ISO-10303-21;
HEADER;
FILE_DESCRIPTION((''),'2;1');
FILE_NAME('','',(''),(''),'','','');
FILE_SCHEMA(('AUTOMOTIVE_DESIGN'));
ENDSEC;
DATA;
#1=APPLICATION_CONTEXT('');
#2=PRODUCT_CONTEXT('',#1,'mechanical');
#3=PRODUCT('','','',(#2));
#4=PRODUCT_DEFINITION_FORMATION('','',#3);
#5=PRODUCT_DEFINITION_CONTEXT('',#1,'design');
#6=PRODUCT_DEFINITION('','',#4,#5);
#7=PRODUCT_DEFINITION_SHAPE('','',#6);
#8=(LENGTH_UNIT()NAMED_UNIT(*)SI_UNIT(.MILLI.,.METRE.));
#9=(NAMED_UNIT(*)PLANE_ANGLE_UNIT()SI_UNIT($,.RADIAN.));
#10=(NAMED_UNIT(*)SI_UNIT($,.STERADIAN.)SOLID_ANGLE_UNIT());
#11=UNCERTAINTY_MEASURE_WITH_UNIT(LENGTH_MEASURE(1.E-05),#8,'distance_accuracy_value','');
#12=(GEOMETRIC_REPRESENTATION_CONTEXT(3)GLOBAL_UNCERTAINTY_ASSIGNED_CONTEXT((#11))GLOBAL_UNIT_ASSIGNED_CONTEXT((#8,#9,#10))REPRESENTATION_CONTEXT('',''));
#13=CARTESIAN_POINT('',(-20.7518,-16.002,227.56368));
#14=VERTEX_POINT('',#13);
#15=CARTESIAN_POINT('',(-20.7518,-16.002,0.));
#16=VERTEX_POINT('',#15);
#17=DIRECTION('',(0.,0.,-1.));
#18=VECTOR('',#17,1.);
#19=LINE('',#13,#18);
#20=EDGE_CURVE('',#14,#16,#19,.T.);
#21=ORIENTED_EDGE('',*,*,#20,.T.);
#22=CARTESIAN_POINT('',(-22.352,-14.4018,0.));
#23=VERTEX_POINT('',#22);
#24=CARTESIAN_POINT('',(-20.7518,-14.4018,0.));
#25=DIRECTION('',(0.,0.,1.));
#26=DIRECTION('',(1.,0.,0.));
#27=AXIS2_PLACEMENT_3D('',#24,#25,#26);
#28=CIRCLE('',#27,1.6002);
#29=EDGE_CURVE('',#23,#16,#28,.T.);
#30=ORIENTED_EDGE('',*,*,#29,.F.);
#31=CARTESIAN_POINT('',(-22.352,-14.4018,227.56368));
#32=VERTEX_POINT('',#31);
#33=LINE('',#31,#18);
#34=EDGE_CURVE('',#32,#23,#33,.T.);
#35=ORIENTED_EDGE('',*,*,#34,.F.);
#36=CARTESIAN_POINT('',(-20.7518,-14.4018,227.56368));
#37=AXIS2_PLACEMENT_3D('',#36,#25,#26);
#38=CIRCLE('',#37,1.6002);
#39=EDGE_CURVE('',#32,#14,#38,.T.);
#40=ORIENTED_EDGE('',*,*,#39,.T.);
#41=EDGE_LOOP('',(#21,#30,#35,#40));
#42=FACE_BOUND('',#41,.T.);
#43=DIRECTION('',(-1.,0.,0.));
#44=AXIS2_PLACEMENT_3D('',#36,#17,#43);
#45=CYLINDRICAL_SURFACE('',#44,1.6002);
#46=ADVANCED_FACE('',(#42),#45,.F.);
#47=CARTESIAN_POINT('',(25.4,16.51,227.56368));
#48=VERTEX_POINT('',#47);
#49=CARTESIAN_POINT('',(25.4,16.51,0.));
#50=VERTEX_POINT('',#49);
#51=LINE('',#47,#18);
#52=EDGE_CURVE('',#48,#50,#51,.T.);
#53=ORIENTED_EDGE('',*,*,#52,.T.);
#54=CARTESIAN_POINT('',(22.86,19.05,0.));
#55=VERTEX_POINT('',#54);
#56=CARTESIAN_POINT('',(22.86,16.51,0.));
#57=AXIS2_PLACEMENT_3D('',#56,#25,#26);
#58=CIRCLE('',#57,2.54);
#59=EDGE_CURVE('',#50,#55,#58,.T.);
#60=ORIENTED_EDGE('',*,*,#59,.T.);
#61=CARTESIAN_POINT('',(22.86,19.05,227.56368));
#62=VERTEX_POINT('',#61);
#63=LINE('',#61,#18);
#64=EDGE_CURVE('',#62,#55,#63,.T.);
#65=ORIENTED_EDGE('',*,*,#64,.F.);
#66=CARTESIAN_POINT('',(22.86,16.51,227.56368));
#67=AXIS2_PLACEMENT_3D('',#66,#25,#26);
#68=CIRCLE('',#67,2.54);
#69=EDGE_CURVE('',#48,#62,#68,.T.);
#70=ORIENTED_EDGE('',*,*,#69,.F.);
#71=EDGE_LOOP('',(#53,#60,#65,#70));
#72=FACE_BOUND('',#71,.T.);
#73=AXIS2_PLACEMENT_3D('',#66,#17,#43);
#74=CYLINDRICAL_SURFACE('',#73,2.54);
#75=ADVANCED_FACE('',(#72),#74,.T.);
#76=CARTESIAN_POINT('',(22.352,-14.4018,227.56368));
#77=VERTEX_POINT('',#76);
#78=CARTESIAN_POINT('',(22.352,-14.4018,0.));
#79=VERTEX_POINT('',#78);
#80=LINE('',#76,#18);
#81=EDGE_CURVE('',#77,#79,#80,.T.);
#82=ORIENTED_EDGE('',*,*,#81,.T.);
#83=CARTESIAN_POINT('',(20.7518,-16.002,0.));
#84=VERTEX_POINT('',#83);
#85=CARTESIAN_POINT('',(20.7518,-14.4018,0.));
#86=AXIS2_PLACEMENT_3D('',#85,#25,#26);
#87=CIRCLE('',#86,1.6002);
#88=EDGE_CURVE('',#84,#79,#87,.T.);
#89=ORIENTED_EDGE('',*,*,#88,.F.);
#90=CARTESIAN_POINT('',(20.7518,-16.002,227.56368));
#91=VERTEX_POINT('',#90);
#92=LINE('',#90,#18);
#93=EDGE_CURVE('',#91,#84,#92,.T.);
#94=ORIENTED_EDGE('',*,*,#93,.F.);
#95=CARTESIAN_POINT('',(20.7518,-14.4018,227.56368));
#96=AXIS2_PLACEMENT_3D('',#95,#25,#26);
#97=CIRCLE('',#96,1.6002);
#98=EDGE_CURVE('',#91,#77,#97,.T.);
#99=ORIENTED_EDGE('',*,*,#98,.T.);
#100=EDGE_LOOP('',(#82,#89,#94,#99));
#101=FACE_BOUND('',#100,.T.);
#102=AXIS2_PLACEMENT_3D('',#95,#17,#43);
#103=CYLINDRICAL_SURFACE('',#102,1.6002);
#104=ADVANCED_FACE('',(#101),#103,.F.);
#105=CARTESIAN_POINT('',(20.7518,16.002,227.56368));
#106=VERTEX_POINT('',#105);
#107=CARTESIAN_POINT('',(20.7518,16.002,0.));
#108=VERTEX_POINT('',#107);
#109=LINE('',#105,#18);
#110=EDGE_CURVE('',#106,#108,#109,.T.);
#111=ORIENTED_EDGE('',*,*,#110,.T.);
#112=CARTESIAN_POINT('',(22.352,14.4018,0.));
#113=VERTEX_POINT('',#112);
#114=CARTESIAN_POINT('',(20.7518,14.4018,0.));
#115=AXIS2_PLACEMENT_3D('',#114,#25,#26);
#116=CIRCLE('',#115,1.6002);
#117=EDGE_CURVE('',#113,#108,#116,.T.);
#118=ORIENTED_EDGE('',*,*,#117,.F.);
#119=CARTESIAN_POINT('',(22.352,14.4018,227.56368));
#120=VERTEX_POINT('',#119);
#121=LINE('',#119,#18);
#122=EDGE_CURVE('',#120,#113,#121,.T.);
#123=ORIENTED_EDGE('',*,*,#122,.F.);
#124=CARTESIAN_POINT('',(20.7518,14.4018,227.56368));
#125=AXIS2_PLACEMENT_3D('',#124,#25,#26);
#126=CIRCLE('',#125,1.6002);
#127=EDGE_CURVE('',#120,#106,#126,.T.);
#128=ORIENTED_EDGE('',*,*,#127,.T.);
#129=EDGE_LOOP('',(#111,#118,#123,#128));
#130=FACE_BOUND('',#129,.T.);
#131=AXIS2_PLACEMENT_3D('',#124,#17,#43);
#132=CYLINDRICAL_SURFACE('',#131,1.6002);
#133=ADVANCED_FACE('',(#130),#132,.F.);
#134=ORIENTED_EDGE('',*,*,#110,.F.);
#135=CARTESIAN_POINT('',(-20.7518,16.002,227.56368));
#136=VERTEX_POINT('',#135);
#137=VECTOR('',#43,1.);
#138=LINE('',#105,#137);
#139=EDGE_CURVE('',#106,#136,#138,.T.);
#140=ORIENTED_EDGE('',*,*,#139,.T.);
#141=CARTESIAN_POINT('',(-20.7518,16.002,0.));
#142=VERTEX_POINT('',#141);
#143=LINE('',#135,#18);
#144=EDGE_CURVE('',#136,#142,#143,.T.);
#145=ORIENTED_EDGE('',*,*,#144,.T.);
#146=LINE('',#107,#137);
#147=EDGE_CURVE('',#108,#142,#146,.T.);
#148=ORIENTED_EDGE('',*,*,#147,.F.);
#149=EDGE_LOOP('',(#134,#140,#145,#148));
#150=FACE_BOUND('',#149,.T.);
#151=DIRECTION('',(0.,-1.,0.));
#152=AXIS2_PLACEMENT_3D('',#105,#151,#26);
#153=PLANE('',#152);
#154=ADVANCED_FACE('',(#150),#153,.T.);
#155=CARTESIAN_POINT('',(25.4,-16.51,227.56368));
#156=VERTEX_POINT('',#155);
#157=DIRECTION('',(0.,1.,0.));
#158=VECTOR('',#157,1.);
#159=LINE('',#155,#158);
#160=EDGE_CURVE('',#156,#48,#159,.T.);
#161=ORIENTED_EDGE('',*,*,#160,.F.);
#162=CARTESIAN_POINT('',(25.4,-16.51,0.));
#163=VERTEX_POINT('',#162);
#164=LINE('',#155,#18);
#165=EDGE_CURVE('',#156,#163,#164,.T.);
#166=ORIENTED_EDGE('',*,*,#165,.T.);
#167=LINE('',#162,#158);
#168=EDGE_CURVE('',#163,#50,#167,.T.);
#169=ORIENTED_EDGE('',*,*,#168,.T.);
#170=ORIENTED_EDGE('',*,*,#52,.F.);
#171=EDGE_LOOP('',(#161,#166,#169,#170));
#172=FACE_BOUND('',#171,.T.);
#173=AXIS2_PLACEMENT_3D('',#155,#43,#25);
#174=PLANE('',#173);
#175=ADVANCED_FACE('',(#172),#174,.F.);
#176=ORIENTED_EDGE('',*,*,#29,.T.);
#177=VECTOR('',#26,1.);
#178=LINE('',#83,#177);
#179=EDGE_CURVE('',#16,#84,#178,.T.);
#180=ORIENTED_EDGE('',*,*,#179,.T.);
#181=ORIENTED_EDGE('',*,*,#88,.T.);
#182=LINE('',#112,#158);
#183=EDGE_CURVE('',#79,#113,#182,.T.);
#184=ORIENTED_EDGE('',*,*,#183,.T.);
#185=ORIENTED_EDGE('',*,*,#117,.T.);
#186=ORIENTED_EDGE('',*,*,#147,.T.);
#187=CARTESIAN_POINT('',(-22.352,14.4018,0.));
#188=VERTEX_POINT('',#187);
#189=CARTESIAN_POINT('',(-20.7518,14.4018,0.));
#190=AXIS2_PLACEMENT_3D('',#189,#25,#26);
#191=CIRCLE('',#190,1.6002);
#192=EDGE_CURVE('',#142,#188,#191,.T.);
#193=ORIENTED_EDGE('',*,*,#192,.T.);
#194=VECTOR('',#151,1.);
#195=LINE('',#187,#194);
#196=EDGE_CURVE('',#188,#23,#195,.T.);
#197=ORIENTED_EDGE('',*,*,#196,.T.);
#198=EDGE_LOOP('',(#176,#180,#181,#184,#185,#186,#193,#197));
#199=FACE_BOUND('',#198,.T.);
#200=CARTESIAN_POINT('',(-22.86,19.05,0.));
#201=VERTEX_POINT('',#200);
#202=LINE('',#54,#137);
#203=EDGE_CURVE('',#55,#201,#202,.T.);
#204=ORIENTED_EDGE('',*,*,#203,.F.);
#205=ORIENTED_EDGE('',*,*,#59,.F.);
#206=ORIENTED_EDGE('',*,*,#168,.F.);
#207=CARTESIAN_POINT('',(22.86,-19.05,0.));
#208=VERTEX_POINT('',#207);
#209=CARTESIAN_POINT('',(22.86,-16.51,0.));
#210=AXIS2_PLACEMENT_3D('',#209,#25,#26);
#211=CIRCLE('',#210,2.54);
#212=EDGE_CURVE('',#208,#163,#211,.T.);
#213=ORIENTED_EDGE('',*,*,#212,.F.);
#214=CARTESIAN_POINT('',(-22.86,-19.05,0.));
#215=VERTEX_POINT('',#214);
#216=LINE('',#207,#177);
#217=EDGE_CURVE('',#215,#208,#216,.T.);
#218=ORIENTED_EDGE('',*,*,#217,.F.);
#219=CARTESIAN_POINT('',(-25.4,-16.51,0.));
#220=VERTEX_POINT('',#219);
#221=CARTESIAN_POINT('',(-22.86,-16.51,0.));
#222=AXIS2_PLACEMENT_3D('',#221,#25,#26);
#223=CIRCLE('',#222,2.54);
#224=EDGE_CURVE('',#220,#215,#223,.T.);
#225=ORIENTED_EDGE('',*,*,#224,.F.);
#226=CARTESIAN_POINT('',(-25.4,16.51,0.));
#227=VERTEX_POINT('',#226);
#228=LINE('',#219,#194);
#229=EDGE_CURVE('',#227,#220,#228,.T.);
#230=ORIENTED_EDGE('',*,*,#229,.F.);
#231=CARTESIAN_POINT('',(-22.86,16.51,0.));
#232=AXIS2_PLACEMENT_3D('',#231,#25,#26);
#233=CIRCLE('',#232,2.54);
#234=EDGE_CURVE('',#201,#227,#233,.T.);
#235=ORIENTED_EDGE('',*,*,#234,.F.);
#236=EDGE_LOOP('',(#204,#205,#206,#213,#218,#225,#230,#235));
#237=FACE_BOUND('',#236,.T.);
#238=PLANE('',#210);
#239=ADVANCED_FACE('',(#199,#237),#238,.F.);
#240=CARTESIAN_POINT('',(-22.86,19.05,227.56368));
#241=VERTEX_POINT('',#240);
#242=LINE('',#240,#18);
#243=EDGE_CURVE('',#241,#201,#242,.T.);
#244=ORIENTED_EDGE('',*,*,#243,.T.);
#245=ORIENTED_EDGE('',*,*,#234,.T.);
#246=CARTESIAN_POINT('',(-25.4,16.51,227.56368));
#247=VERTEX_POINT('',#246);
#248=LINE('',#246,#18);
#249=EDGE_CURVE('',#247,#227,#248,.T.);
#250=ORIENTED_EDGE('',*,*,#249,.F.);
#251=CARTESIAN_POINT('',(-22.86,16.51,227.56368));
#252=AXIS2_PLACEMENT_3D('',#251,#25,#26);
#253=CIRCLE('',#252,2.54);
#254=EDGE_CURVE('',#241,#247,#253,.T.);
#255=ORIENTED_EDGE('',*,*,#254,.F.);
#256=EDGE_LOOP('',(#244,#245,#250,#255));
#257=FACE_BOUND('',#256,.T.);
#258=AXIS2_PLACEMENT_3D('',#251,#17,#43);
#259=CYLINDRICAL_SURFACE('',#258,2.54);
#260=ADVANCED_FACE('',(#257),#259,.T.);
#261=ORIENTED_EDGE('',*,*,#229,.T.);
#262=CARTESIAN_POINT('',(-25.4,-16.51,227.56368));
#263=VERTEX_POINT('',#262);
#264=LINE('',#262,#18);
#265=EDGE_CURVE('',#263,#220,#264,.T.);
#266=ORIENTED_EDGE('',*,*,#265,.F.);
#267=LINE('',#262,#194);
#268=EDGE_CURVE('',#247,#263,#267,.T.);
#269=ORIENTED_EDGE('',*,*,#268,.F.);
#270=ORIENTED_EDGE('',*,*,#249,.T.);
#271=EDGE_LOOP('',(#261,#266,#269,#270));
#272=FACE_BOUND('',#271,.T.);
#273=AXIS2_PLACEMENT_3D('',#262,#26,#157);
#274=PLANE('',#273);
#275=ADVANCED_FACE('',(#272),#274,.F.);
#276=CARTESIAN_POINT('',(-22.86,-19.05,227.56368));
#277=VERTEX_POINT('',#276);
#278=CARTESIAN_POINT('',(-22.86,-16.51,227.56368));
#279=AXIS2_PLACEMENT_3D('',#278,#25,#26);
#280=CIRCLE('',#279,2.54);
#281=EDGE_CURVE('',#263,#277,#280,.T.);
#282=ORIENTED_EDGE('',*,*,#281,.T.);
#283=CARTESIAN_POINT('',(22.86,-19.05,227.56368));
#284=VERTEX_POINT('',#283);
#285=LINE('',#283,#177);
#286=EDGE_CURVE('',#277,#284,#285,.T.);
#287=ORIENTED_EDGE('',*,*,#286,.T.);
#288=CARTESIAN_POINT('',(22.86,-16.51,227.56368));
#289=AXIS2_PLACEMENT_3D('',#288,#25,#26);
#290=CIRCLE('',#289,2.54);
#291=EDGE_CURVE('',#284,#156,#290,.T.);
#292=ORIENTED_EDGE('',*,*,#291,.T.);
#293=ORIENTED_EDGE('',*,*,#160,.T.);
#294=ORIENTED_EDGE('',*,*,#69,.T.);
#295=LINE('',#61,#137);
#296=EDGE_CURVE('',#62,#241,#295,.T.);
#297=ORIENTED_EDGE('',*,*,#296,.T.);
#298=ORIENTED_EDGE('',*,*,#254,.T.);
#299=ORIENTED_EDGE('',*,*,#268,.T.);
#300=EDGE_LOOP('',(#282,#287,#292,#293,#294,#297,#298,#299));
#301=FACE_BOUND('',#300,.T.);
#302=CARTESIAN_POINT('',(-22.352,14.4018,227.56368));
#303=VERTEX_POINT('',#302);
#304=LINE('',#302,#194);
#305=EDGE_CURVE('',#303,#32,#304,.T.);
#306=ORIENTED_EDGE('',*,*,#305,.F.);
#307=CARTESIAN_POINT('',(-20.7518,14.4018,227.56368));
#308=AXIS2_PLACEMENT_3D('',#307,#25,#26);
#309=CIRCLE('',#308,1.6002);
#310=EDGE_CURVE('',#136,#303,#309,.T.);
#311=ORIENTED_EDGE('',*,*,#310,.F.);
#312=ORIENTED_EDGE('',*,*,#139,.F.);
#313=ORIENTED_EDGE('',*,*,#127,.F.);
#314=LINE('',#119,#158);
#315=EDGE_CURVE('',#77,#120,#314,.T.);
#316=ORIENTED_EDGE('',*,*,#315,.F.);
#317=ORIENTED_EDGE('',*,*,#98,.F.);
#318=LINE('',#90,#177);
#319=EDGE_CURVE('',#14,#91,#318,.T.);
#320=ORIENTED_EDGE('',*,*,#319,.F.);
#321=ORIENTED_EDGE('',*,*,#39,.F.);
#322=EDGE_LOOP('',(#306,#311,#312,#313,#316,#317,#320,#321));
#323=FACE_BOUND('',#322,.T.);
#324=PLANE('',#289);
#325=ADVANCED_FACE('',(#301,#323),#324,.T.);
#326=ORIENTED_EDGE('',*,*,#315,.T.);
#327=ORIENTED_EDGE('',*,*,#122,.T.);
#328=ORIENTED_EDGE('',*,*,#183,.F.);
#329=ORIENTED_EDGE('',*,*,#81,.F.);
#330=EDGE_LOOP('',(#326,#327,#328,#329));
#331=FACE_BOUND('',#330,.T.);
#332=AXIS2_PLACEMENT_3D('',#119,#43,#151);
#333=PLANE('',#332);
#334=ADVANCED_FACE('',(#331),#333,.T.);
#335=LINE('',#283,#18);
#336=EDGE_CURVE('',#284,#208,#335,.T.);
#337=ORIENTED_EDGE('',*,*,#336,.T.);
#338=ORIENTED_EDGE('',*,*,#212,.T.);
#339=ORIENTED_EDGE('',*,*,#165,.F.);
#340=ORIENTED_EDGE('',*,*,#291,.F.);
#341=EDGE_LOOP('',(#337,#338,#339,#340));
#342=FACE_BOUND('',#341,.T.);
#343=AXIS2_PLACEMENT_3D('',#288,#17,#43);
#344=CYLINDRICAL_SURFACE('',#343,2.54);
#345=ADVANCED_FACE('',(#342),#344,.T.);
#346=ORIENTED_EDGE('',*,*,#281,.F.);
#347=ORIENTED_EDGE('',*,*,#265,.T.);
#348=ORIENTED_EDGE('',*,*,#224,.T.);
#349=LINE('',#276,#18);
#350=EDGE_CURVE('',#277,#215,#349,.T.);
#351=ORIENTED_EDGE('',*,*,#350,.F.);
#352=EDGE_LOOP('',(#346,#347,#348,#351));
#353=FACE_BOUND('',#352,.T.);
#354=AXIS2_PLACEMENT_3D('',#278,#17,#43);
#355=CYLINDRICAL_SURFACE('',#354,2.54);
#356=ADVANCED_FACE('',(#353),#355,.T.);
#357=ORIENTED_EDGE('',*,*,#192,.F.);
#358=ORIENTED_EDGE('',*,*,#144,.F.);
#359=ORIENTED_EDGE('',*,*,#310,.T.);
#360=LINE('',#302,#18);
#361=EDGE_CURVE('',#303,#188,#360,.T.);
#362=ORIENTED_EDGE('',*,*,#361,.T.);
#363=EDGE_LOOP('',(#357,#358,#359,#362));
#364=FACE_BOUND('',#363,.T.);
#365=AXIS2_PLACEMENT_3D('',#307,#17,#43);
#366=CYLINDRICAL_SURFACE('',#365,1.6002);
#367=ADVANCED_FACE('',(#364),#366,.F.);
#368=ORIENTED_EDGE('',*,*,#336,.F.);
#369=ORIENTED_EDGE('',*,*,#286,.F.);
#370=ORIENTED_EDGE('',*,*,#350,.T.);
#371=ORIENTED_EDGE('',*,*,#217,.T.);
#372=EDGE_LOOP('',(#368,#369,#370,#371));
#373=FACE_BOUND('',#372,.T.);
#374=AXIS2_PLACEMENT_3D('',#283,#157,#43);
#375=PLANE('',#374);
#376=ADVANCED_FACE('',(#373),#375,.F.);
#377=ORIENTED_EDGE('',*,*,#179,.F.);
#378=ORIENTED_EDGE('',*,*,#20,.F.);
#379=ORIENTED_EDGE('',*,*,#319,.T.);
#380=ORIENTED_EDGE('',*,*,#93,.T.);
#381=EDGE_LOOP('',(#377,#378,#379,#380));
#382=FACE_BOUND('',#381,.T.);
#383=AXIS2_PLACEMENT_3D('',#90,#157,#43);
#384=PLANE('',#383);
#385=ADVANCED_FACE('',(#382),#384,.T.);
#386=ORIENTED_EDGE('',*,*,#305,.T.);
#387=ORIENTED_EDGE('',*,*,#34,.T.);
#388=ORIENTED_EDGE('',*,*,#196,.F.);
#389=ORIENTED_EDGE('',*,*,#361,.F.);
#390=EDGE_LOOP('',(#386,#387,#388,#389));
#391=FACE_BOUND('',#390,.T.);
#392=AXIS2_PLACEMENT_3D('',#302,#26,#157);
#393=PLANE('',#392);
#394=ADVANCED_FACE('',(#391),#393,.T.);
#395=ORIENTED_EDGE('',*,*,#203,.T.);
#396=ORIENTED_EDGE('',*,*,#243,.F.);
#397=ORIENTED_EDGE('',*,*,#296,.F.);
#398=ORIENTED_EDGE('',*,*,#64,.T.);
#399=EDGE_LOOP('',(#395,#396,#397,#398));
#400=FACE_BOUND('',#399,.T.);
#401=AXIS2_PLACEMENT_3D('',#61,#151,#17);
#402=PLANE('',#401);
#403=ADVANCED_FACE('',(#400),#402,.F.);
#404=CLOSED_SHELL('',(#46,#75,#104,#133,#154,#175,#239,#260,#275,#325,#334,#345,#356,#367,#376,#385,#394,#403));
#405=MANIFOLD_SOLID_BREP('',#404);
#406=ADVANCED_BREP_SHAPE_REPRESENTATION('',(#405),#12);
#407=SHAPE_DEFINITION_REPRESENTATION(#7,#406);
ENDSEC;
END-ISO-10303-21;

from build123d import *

# Parameters (mm, degrees)
BOSS_EXTRUDE1_DEPTH = 227.56368


with BuildPart() as part:
    # Sketch4 → Boss-Extrude1 (new body)
    with BuildSketch(Plane.XY):
        with BuildLine():
            Line((25.4, -16.51), (25.4, 16.51))
            ThreePointArc((25.4, 16.51), (24.656051224, 18.306051224), (22.86, 19.05))
            Line((22.86, 19.05), (-22.86, 19.05))
            ThreePointArc((-22.86, 19.05), (-24.656051224, 18.306051224), (-25.4, 16.51))
            Line((-25.4, 16.51), (-25.4, -16.51))
            ThreePointArc((-25.4, -16.51), (-24.656051224, -18.306051224), (-22.86, -19.05))
            Line((-22.86, -19.05), (22.86, -19.05))
            ThreePointArc((22.86, -19.05), (24.656051224, -18.306051224), (25.4, -16.51))
        make_face()
        with BuildLine():
            Line((22.352, 14.4018), (22.352, -14.4018))
            ThreePointArc((22.352, -14.4018), (21.883312271, -15.533312271), (20.7518, -16.002))
            Line((20.7518, -16.002), (-20.7518, -16.002))
            ThreePointArc((-20.7518, -16.002), (-21.883312271, -15.533312271), (-22.352, -14.4018))
            Line((-22.352, -14.4018), (-22.352, 14.4018))
            ThreePointArc((-22.352, 14.4018), (-21.883312271, 15.533312271), (-20.7518, 16.002))
            Line((-20.7518, 16.002), (20.7518, 16.002))
            ThreePointArc((20.7518, 16.002), (21.883312271, 15.533312271), (22.352, 14.4018))
        make_face(mode=Mode.SUBTRACT)
    extrude(amount=BOSS_EXTRUDE1_DEPTH)


solid = part.part
